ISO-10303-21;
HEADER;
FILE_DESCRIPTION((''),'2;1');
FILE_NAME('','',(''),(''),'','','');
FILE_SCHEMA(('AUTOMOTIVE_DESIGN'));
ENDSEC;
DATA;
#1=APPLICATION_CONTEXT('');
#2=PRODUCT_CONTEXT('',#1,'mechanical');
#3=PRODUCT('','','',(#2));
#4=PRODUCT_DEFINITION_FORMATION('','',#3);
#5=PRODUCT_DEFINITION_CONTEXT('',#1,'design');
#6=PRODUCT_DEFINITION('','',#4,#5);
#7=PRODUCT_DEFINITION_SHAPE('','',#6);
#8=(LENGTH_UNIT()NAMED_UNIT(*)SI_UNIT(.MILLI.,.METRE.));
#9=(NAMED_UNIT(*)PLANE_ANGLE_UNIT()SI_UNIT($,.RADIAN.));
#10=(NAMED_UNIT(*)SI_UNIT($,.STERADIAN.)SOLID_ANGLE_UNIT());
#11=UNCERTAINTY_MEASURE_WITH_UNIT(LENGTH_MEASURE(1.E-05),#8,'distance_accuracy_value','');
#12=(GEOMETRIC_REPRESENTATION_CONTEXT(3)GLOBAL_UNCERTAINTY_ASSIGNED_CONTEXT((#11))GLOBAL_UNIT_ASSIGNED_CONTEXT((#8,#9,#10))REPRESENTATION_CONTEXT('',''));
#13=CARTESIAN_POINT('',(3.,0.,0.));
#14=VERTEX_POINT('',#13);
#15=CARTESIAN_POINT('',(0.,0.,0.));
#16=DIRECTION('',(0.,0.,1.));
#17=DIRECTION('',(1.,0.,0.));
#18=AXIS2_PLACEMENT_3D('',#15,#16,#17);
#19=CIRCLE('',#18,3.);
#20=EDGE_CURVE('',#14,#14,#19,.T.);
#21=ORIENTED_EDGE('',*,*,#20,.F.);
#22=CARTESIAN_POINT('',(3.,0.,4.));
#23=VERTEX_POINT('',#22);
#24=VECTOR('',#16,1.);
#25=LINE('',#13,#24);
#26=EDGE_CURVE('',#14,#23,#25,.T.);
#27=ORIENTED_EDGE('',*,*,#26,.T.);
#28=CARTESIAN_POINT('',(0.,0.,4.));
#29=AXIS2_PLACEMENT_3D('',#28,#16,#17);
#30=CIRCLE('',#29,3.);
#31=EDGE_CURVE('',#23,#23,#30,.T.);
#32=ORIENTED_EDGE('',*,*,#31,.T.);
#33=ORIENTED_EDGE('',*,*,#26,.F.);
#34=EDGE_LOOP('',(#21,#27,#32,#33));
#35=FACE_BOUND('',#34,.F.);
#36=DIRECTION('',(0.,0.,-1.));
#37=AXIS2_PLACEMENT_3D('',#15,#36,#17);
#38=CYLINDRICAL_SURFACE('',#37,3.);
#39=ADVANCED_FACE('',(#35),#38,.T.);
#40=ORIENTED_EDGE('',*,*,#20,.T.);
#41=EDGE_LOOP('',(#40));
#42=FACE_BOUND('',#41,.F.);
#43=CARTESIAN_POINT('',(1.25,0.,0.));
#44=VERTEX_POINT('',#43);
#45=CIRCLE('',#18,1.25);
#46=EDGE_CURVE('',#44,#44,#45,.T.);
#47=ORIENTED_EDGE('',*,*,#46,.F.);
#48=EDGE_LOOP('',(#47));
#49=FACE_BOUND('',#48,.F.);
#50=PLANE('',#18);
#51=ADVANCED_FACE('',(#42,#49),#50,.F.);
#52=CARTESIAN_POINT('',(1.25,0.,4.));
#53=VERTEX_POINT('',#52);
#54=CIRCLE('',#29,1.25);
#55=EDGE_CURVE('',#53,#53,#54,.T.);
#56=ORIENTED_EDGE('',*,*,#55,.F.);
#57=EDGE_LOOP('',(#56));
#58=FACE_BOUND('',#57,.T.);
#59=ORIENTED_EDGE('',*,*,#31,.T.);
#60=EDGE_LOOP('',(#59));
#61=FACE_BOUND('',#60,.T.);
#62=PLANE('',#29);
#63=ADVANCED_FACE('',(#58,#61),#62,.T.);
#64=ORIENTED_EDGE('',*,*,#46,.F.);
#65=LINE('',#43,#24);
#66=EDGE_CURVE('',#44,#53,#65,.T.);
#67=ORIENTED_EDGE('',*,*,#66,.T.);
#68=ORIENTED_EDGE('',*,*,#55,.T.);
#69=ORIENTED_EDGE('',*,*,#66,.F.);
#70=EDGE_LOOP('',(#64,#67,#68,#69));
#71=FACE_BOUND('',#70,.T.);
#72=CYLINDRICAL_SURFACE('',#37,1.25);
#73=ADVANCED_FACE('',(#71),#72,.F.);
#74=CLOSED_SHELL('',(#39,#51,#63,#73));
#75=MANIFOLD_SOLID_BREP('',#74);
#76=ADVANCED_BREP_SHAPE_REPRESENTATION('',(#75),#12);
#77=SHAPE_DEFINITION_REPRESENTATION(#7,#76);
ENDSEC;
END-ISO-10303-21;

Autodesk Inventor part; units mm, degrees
ref_plane "YZ Plane" through (0, 0, 0) normal (1, 0, 0) x (0, 1, 0)
ref_plane "XZ Plane" through (0, 0, 0) normal (0, 1, 0) x (-1, 0, 0)
ref_plane "XY Plane" through (0, 0, 0) normal (0, 0, 1) x (1, 0, 0)
sketch "Sketch1" plane through (0, 0, 0) normal (0, 0, 1) x (1, 0, 0)
  circle A0 centre (0, 0) radius 1.25
  circle A1 centre (0, 0) radius 3
  dimension "d0" = 2.5
  dimension "d1" = 6
extrude "Extrusion1" add sketch "Sketch1" along normal blind 4
properties part number "SealCover"
